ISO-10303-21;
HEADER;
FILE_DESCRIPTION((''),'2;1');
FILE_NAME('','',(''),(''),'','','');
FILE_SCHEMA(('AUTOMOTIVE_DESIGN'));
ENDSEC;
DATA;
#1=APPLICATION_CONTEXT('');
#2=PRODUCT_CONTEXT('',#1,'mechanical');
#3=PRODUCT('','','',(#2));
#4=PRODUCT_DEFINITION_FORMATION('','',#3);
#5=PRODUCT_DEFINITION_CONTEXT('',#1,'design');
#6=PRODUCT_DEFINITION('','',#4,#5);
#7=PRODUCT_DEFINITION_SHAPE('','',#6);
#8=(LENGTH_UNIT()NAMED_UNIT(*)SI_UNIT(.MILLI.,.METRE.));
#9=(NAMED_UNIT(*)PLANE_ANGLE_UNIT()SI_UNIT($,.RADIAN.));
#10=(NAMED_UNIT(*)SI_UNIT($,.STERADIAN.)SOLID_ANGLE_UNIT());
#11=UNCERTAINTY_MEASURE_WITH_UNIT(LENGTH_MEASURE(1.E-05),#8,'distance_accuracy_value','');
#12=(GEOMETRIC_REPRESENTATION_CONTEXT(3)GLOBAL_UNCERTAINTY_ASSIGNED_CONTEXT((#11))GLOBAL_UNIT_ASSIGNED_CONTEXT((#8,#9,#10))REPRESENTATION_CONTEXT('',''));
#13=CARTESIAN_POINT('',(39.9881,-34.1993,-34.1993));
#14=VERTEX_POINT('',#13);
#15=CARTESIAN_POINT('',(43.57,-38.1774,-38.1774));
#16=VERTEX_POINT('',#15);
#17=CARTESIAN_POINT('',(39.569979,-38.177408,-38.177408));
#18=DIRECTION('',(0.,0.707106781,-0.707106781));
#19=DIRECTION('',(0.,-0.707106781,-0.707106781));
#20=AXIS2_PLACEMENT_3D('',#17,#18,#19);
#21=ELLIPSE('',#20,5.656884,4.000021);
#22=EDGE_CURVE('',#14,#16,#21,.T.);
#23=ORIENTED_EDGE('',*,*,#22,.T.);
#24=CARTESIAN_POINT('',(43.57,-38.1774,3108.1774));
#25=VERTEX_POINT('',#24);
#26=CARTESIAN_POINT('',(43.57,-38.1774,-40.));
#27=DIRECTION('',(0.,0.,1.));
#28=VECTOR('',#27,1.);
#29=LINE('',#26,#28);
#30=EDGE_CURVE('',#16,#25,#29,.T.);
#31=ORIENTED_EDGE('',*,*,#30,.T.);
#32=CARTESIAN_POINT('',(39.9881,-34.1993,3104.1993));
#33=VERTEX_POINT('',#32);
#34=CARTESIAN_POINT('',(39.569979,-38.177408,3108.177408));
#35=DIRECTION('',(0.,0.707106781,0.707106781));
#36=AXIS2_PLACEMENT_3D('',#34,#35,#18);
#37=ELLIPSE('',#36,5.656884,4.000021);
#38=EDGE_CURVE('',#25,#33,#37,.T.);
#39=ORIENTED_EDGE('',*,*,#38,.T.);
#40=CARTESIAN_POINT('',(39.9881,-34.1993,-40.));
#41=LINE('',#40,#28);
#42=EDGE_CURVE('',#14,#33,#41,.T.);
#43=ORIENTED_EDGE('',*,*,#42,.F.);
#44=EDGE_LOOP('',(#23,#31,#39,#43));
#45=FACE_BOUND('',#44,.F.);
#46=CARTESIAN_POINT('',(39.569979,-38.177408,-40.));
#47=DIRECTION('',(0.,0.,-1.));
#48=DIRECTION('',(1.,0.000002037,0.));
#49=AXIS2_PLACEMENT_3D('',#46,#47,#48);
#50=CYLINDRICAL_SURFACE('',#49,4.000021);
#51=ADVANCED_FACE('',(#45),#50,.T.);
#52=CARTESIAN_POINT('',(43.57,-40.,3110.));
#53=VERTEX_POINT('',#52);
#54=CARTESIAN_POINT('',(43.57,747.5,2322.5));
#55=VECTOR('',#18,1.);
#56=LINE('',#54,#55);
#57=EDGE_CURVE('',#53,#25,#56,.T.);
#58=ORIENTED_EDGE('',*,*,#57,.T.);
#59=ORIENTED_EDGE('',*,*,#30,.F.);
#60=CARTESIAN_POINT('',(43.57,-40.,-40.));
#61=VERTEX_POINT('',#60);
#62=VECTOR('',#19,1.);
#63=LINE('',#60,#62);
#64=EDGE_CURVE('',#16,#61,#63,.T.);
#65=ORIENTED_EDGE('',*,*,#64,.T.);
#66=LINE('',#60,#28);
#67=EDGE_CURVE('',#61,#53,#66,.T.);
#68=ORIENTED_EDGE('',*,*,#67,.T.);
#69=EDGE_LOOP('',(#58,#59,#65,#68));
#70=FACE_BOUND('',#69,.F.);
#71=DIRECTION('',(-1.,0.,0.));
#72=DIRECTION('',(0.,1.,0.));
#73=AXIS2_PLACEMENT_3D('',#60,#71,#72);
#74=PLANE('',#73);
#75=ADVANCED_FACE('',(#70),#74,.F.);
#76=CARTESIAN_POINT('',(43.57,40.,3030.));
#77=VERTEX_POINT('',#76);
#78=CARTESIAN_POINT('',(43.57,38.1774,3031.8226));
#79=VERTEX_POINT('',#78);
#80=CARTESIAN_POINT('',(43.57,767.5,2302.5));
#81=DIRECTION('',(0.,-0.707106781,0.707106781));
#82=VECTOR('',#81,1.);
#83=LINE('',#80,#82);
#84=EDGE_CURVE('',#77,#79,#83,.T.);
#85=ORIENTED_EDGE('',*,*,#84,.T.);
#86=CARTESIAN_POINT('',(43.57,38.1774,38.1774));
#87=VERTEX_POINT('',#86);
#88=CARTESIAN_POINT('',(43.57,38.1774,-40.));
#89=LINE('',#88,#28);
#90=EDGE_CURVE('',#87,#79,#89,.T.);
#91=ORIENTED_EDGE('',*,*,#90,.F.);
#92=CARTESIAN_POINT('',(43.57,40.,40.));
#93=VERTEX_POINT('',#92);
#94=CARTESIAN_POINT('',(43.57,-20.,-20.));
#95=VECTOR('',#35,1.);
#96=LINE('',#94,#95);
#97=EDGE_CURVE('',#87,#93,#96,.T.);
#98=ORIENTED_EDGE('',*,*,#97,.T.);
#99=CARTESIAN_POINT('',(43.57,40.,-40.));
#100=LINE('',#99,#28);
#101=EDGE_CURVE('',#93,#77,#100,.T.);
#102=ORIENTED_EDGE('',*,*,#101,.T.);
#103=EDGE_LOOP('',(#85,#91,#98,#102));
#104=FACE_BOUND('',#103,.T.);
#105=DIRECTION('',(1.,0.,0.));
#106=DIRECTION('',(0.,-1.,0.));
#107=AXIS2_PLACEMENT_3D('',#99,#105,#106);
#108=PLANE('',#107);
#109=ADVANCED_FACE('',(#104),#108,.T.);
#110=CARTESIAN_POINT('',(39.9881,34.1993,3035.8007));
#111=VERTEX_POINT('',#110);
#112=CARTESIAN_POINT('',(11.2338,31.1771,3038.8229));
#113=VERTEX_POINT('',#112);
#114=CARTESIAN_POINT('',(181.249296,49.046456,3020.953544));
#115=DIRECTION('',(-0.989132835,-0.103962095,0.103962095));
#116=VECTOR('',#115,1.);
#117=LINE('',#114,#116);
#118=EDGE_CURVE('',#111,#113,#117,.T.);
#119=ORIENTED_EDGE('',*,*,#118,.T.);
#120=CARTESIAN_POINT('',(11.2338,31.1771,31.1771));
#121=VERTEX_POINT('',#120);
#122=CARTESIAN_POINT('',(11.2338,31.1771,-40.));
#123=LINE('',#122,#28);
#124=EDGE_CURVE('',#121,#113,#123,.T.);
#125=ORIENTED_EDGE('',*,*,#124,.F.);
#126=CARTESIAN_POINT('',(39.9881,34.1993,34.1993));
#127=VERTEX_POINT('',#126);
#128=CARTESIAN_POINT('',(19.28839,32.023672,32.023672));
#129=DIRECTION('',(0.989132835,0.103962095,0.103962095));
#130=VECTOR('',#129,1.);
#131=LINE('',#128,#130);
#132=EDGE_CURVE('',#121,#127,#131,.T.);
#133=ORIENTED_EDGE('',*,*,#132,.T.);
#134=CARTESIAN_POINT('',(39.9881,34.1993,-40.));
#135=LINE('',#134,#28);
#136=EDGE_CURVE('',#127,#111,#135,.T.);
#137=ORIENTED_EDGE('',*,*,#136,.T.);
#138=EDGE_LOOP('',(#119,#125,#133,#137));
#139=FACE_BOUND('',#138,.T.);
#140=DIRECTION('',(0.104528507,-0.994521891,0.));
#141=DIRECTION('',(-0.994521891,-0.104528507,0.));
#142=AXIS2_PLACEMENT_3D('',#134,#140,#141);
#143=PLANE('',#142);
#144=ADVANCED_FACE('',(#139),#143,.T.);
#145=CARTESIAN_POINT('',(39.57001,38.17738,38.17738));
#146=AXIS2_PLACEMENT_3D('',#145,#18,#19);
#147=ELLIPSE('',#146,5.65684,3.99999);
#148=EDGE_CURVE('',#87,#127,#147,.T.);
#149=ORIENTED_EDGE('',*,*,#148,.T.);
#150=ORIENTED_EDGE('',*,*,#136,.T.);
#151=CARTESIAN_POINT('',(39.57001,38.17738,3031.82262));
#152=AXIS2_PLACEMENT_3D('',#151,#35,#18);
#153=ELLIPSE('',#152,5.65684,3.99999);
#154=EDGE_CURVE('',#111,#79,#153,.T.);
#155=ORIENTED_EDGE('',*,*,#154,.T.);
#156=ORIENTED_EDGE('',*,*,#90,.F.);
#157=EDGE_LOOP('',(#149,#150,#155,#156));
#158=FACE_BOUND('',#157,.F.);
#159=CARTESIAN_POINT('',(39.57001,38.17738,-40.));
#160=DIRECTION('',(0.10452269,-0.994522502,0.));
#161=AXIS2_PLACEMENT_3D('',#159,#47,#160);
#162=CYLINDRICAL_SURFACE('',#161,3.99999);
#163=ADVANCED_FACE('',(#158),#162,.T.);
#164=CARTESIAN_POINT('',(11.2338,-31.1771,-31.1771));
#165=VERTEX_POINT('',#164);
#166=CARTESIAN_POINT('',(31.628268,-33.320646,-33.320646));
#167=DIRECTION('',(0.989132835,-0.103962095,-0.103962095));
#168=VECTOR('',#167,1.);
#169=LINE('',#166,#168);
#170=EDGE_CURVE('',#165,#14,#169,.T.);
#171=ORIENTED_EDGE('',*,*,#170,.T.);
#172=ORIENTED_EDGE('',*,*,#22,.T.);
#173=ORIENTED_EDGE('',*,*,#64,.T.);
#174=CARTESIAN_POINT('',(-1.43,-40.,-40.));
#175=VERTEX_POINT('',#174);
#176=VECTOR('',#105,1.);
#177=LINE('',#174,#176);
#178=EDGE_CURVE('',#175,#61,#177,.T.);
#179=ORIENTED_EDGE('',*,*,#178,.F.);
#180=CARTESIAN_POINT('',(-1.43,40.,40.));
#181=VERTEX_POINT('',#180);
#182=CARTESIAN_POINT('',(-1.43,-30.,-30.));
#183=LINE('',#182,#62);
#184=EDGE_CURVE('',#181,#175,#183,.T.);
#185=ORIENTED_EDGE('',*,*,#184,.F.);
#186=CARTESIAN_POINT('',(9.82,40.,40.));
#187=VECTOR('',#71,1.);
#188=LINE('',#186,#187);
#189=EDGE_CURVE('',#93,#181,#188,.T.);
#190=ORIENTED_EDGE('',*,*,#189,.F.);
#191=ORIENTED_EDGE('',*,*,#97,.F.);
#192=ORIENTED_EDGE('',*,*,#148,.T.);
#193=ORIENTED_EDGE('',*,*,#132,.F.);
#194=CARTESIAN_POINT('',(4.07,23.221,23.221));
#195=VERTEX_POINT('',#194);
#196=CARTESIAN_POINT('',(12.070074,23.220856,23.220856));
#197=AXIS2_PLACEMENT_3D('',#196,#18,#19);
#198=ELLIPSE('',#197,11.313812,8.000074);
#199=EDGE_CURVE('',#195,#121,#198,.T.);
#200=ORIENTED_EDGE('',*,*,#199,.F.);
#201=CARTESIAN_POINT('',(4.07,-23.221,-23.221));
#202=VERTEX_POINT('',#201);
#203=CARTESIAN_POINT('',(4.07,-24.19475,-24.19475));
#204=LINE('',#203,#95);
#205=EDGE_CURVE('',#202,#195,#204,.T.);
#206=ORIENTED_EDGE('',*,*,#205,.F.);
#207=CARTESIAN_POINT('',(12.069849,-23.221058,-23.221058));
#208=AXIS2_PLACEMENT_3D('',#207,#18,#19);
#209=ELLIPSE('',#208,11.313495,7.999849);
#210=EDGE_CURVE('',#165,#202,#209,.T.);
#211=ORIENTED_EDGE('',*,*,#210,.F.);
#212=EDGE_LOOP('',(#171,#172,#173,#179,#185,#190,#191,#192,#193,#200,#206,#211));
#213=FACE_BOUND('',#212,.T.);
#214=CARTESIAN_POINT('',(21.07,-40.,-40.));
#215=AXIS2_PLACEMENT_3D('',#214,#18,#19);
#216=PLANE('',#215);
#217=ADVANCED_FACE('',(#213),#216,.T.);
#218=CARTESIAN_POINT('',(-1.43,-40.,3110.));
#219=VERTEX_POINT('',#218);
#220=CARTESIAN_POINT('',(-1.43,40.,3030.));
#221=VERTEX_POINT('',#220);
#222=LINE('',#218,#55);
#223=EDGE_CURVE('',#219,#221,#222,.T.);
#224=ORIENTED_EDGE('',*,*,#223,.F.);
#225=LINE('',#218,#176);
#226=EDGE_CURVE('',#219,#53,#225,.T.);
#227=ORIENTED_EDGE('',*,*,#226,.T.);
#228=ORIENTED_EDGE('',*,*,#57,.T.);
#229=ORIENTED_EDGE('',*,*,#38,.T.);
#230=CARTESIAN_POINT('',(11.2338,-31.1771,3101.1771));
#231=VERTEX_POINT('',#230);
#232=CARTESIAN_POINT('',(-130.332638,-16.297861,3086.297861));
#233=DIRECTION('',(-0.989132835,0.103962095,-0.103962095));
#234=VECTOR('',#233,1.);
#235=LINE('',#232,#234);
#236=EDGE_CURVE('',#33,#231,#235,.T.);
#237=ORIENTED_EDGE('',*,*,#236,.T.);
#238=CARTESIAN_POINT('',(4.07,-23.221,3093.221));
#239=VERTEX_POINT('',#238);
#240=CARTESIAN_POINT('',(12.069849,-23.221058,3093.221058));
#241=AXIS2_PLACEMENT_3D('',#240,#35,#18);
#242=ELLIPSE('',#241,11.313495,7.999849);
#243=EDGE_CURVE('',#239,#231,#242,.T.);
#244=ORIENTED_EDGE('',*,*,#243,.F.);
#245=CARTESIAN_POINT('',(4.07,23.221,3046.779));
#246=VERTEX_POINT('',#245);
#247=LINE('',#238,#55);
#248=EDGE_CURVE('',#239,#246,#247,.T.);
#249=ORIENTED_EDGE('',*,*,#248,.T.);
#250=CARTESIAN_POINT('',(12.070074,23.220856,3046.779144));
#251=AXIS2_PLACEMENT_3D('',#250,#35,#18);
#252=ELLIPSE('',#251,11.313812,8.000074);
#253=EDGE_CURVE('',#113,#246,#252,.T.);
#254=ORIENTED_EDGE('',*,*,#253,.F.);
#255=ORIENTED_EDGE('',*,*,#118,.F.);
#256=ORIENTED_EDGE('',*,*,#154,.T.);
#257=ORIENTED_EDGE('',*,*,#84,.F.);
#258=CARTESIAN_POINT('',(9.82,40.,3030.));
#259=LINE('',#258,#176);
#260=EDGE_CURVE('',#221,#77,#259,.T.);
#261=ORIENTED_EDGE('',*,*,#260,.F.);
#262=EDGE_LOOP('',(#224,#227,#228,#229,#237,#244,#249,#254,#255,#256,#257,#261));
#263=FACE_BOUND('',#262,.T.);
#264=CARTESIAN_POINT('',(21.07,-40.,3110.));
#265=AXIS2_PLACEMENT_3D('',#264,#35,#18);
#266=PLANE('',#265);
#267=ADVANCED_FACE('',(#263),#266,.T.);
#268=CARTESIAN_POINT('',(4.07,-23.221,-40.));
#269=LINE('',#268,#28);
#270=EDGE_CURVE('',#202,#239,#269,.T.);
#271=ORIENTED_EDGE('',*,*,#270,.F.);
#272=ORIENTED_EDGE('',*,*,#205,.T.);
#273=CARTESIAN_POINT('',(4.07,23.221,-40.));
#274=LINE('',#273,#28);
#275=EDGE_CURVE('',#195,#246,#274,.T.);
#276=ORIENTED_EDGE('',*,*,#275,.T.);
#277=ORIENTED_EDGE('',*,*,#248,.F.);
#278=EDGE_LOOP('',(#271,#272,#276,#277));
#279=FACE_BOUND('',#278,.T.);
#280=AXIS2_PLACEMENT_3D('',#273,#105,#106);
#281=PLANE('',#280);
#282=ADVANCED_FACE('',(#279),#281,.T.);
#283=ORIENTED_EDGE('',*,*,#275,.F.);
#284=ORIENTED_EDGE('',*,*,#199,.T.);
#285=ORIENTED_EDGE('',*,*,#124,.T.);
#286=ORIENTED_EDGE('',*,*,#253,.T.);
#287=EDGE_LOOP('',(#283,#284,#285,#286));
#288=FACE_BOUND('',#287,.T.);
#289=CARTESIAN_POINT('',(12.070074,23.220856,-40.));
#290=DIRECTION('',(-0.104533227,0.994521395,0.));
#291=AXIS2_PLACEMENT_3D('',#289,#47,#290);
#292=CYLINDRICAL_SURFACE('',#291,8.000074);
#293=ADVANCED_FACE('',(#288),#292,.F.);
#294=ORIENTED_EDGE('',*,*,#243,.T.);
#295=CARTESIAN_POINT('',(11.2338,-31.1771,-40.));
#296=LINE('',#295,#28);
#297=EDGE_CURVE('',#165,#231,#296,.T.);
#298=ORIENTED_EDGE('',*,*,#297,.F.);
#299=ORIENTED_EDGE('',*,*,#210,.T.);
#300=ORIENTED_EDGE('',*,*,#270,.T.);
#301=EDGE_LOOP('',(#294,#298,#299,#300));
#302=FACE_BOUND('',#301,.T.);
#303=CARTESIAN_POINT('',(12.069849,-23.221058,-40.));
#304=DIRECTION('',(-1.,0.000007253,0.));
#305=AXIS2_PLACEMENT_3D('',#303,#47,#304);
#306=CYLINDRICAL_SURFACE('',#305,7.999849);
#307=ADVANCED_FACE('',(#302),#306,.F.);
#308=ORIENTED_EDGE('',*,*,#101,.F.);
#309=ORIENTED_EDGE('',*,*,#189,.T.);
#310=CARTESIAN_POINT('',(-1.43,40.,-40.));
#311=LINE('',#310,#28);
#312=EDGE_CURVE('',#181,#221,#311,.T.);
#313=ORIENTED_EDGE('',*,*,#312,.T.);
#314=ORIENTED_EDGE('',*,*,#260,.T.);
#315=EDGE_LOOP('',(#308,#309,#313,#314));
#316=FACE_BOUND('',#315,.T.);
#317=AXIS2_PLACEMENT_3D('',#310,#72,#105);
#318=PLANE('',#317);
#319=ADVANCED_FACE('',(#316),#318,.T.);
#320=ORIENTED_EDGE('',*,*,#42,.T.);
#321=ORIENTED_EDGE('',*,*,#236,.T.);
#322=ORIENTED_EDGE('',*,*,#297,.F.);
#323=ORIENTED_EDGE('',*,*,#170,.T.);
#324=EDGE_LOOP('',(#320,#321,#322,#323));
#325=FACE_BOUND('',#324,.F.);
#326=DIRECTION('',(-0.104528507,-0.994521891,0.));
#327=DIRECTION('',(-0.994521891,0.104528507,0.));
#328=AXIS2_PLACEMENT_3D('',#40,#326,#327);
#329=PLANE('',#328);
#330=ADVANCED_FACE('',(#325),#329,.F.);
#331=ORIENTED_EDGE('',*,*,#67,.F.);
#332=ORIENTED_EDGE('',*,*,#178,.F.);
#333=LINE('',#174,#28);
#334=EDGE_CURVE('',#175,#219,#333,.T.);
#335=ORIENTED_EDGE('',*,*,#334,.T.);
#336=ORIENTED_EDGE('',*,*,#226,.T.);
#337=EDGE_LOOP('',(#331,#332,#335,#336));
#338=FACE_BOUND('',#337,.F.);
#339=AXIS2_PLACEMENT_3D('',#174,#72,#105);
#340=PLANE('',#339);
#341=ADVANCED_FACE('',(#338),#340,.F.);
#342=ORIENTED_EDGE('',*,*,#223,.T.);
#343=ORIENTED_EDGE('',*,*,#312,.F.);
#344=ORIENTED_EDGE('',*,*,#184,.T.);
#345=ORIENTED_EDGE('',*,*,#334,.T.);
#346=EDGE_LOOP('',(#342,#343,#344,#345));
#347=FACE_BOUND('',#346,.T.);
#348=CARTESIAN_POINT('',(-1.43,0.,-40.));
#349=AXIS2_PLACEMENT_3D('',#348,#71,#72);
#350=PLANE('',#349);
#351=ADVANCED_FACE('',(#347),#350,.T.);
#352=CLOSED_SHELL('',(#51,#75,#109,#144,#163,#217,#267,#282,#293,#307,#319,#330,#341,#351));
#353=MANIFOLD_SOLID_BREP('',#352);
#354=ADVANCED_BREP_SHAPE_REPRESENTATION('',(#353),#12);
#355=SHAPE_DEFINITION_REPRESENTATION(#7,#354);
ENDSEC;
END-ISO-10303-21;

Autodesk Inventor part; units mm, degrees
ref_plane "Начальная плоскость" through (0, 0, -40) normal (0, 0, 1) x (1, 0, 0)
ref_plane "Конечная плоскость" through (0, 0, 3110) normal (0, 0, 1) x (1, 0, 0)
sketch "Эскиз" plane through (0, 0, 0) normal (0, 0, 1) x (1, 0, 0)
  line L0 (-1.43, 0) -> (-1.43, 40)
  line L1 (-1.43, 40) -> (43.57, 40)
  line L2 (43.57, 40) -> (43.57, 38.1774)
  line L3 (39.9881, 34.1993) -> (11.2338, 31.1771)
  line L4 (4.07, 23.221) -> (4.07, 0)
  line L5 (4.07, 0) -> (-1.43, 0) construction
  line L6 (23.82, 40) -> (23.82, 32.5) construction
  line L7 (43.57, 34.5758) -> (43.57, 32.5) construction
  line L8 (43.57, 32.5) -> (23.82, 32.5) construction
  line L9 (0, 15) -> (0, -27) construction
  line L10 (-5.539, 0) -> (16.0067, 0) construction
  line L11 (-1.43, 0) -> (-1.43, -40)
  line L12 (-1.43, -40) -> (43.57, -40)
  line L13 (43.57, -40) -> (43.57, -38.1774)
  line L14 (39.9881, -34.1993) -> (11.2338, -31.1771)
  line L15 (4.07, -23.221) -> (4.07, 0)
  arc A0 (11.2338, 31.1771) -> (4.07, 23.221) centre (12.07, 23.221) ccw
  arc A1 (4.07, -23.221) -> (11.2338, -31.1771) centre (12.07, -23.221) ccw
  arc A2 (39.9881, 34.1993) -> (43.57, 38.1774) centre (39.57, 38.1774) ccw
  arc A3 (43.57, -38.1774) -> (39.9881, -34.1993) centre (39.57, -38.1774) ccw
  line L16 (0, 56) -> (0, -56) construction
  line L17 (-15.5135, 0) -> (54.308, 0) construction
  point P0 (4.07, 30.4242)
  point P1 (43.57, -34.5758)
  point P2 (4.07, -30.4242)
  point P3 (23.82, -40)
  point P4 (23.82, -32.5)
  dimension "d0" = 5.5
  dimension "d1" = 40
  dimension "d2" = 45
  dimension "d3" = 7.5
  dimension "d4" = 19.75
  dimension "d5" = 2.0758
  dimension "d23" = 8
  dimension "d24" = 4
  dimension "d25" = 1.43
extrude "Тело" add sketch "Эскиз" along normal up to surface (3150 mm away) from surface at -40
sketch "Sketch3" plane through (0, 0, 0) normal (0, 0, 1) x (1, 0, 0)
  line L0 (0, 0) -> (10, 0)
ref_plane "Work Plane3" through (0, 0, 0) normal (0, -1, 0) x (1, 0, 0)
sketch "Sketch4" plane through (0, 0, 0) normal (0, -1, 0) x (1, 0, 0)
  line L0 (-2, -40) -> (12, -40)
  line L1 (-2, 3110) -> (12, 3110)
  dimension "d29" = 3150
ref_plane "РабПлоскость4" through (21.07, -40, 3110) normal (0, 0.7071, 0.7071) x (1, 0, 0)
split "Разделение1" plane through (21.07, -40, 3110) removes the side toward (0, 0.7071, 0.7071)
ref_plane "РабПлоскость5" through (21.07, -40, -40) normal (0, 0.7071, -0.7071) x (1, 0, 0)
split "Разделение2" plane through (21.07, -40, -40) removes the side toward (0, 0.7071, -0.7071)
equation "\"d0\" = G_T"
equation "\"d1\" = 0.5 * G_H"
equation "\"d2\" = G_W"
equation "\"d3\" = G_T1"
equation "\"d4\" = G_C"
equation "\"d23\" = G_IR"
equation "\"d24\" = G_ER"
equation "\"d25\" = ex"
equation "\"d6\" = G_L"
equation "\"G_W\" = 45"
equation "\"G_T\" = 5.5"
equation "\"G_T1\" = 7.5"
equation "\"G_NG\" = 0.105104"
equation "\"G_ER\" = 4"
equation "\"G_IR\" = 8"
equation "\"G_C\" = 19.75"
equation "\"G_L\" = d29"
equation "\"ex\" = 1.43"
equation "\"G_H\" = 80"
properties part number "ISO 657/11 - CH 80 x 8 - 3150" material "Сталь, мягкая"
